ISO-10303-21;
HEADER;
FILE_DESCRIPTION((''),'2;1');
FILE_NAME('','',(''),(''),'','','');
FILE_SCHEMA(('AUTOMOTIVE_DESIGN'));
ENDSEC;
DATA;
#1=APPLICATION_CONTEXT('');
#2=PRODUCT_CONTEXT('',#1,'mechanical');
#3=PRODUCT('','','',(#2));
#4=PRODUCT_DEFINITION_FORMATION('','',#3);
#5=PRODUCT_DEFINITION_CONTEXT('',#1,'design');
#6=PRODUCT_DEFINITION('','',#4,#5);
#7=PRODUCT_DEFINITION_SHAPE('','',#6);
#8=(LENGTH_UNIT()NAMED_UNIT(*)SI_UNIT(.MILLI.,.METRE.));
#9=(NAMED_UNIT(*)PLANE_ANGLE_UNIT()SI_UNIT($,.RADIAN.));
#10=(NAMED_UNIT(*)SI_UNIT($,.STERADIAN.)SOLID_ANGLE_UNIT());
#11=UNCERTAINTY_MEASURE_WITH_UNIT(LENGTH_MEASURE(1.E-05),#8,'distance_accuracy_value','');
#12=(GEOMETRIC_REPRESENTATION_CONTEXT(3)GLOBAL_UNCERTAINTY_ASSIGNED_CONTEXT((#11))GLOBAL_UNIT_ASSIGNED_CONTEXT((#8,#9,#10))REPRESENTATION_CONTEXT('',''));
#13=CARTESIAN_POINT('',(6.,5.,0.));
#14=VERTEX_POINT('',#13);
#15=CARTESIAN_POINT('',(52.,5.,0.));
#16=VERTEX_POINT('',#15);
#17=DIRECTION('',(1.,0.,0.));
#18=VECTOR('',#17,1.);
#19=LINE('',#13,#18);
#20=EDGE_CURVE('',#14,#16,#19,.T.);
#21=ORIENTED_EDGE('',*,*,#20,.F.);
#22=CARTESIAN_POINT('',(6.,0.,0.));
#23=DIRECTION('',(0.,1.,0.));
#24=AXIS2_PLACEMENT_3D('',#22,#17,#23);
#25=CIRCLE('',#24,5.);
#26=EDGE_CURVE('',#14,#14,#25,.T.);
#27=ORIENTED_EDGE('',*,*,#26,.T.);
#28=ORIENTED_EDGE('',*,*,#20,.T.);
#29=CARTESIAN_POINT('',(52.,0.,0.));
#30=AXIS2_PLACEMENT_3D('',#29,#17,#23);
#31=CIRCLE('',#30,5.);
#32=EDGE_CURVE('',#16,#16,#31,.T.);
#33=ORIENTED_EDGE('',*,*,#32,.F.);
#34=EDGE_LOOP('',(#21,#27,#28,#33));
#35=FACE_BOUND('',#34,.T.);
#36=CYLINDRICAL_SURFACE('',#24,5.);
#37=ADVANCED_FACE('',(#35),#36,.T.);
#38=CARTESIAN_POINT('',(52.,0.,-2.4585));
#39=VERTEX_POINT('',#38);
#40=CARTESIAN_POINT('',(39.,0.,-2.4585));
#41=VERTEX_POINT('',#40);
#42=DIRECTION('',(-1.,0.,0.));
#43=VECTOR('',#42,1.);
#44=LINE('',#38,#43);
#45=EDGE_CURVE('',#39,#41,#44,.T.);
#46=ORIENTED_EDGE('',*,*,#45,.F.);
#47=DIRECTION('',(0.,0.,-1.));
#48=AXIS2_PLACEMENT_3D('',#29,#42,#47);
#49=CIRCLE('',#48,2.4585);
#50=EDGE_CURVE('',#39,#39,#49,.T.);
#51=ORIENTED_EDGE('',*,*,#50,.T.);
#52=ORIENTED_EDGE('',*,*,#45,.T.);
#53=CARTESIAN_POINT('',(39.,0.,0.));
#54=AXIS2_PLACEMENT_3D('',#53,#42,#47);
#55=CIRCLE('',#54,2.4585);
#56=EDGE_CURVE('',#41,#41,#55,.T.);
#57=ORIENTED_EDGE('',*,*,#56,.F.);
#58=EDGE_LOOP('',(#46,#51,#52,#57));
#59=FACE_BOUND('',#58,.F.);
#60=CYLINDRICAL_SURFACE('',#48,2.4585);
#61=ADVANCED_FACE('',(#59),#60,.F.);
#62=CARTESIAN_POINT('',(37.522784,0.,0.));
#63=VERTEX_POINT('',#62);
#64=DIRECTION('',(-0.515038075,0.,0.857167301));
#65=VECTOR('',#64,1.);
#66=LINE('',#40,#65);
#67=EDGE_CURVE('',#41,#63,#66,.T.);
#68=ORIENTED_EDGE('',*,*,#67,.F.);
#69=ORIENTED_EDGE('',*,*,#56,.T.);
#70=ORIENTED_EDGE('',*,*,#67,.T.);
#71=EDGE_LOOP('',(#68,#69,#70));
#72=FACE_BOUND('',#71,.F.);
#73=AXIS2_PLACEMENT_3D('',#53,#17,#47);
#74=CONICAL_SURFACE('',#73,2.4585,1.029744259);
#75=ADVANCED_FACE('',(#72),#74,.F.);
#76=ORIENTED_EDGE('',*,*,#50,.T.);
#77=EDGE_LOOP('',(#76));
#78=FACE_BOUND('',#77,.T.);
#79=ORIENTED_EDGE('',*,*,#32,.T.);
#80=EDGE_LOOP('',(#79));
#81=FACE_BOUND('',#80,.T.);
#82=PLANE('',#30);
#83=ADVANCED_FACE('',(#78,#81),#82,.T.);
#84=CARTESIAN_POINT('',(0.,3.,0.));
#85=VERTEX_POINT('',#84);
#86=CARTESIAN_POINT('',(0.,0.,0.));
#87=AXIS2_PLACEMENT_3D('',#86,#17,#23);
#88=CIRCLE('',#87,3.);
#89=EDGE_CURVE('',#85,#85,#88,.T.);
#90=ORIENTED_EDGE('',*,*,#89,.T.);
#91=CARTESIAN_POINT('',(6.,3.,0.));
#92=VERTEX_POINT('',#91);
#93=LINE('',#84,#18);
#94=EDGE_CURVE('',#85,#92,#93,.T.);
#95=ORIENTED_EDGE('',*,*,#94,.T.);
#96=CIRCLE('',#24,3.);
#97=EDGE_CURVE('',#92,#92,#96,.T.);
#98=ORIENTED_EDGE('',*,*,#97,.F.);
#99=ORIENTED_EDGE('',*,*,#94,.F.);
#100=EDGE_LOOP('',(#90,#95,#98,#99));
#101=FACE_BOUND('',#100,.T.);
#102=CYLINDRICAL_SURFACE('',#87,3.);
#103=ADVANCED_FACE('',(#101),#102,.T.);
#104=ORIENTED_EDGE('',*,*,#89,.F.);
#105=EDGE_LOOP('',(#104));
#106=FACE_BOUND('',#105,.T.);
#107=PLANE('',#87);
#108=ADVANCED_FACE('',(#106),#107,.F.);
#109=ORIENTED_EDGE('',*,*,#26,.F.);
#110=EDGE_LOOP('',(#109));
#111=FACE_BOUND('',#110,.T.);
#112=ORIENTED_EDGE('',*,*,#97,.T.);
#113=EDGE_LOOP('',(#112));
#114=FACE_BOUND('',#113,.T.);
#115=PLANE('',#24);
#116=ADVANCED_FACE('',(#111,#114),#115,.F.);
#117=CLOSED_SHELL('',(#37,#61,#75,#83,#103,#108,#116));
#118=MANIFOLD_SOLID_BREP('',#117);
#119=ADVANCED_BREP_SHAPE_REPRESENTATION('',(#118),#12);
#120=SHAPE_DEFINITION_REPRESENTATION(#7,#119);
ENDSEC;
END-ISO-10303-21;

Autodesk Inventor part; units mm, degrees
ref_plane "YZ Plane" through (0, 0, 0) normal (1, 0, 0) x (0, 1, 0)
ref_plane "XZ Plane" through (0, 0, 0) normal (0, 1, 0) x (-1, 0, 0)
ref_plane "XY Plane" through (0, 0, 0) normal (0, 0, 1) x (1, 0, 0)
sketch "Skizze1" plane through (0, 0, 0) normal (0, 0, 1) x (1, 0, 0)
  line L0 (0, 0) -> (52, 0)
  line L1 (0, 0) -> (0, 3)
  line L2 (0, 3) -> (6, 3)
  line L3 (6, 3) -> (6, 5)
  line L4 (6, 5) -> (52, 5)
  line L5 (52, 5) -> (52, 0)
  dimension "d1" = 6
  dimension "d2" = 10
  dimension "d3" = 6
  dimension "d18" = 52
revolve "Umdrehung1" add sketch "Skizze1" angle 360 about axis through (0, 0, 0) along (1, 0, 0)
sketch "Skizze2" plane through (52, 0, 0) normal (1, 0, 0) x (0, 0, -1)
  point P0 (0, 0)
  point P1 (0, 0)
hole "Bohrung1" at (52, 0, 0) direction (-1, 0, 0) diameter 4.917 depth 13 tip angle 118 thread size "M6x1" class "6H" standard "ISO Metric profile"
thread "Gewinde1" size "M6x1" class "6g" standard "ANSI Metric M Profile" full length
properties part number "kicker_mitte_alt" material "Aluminium 6061"
